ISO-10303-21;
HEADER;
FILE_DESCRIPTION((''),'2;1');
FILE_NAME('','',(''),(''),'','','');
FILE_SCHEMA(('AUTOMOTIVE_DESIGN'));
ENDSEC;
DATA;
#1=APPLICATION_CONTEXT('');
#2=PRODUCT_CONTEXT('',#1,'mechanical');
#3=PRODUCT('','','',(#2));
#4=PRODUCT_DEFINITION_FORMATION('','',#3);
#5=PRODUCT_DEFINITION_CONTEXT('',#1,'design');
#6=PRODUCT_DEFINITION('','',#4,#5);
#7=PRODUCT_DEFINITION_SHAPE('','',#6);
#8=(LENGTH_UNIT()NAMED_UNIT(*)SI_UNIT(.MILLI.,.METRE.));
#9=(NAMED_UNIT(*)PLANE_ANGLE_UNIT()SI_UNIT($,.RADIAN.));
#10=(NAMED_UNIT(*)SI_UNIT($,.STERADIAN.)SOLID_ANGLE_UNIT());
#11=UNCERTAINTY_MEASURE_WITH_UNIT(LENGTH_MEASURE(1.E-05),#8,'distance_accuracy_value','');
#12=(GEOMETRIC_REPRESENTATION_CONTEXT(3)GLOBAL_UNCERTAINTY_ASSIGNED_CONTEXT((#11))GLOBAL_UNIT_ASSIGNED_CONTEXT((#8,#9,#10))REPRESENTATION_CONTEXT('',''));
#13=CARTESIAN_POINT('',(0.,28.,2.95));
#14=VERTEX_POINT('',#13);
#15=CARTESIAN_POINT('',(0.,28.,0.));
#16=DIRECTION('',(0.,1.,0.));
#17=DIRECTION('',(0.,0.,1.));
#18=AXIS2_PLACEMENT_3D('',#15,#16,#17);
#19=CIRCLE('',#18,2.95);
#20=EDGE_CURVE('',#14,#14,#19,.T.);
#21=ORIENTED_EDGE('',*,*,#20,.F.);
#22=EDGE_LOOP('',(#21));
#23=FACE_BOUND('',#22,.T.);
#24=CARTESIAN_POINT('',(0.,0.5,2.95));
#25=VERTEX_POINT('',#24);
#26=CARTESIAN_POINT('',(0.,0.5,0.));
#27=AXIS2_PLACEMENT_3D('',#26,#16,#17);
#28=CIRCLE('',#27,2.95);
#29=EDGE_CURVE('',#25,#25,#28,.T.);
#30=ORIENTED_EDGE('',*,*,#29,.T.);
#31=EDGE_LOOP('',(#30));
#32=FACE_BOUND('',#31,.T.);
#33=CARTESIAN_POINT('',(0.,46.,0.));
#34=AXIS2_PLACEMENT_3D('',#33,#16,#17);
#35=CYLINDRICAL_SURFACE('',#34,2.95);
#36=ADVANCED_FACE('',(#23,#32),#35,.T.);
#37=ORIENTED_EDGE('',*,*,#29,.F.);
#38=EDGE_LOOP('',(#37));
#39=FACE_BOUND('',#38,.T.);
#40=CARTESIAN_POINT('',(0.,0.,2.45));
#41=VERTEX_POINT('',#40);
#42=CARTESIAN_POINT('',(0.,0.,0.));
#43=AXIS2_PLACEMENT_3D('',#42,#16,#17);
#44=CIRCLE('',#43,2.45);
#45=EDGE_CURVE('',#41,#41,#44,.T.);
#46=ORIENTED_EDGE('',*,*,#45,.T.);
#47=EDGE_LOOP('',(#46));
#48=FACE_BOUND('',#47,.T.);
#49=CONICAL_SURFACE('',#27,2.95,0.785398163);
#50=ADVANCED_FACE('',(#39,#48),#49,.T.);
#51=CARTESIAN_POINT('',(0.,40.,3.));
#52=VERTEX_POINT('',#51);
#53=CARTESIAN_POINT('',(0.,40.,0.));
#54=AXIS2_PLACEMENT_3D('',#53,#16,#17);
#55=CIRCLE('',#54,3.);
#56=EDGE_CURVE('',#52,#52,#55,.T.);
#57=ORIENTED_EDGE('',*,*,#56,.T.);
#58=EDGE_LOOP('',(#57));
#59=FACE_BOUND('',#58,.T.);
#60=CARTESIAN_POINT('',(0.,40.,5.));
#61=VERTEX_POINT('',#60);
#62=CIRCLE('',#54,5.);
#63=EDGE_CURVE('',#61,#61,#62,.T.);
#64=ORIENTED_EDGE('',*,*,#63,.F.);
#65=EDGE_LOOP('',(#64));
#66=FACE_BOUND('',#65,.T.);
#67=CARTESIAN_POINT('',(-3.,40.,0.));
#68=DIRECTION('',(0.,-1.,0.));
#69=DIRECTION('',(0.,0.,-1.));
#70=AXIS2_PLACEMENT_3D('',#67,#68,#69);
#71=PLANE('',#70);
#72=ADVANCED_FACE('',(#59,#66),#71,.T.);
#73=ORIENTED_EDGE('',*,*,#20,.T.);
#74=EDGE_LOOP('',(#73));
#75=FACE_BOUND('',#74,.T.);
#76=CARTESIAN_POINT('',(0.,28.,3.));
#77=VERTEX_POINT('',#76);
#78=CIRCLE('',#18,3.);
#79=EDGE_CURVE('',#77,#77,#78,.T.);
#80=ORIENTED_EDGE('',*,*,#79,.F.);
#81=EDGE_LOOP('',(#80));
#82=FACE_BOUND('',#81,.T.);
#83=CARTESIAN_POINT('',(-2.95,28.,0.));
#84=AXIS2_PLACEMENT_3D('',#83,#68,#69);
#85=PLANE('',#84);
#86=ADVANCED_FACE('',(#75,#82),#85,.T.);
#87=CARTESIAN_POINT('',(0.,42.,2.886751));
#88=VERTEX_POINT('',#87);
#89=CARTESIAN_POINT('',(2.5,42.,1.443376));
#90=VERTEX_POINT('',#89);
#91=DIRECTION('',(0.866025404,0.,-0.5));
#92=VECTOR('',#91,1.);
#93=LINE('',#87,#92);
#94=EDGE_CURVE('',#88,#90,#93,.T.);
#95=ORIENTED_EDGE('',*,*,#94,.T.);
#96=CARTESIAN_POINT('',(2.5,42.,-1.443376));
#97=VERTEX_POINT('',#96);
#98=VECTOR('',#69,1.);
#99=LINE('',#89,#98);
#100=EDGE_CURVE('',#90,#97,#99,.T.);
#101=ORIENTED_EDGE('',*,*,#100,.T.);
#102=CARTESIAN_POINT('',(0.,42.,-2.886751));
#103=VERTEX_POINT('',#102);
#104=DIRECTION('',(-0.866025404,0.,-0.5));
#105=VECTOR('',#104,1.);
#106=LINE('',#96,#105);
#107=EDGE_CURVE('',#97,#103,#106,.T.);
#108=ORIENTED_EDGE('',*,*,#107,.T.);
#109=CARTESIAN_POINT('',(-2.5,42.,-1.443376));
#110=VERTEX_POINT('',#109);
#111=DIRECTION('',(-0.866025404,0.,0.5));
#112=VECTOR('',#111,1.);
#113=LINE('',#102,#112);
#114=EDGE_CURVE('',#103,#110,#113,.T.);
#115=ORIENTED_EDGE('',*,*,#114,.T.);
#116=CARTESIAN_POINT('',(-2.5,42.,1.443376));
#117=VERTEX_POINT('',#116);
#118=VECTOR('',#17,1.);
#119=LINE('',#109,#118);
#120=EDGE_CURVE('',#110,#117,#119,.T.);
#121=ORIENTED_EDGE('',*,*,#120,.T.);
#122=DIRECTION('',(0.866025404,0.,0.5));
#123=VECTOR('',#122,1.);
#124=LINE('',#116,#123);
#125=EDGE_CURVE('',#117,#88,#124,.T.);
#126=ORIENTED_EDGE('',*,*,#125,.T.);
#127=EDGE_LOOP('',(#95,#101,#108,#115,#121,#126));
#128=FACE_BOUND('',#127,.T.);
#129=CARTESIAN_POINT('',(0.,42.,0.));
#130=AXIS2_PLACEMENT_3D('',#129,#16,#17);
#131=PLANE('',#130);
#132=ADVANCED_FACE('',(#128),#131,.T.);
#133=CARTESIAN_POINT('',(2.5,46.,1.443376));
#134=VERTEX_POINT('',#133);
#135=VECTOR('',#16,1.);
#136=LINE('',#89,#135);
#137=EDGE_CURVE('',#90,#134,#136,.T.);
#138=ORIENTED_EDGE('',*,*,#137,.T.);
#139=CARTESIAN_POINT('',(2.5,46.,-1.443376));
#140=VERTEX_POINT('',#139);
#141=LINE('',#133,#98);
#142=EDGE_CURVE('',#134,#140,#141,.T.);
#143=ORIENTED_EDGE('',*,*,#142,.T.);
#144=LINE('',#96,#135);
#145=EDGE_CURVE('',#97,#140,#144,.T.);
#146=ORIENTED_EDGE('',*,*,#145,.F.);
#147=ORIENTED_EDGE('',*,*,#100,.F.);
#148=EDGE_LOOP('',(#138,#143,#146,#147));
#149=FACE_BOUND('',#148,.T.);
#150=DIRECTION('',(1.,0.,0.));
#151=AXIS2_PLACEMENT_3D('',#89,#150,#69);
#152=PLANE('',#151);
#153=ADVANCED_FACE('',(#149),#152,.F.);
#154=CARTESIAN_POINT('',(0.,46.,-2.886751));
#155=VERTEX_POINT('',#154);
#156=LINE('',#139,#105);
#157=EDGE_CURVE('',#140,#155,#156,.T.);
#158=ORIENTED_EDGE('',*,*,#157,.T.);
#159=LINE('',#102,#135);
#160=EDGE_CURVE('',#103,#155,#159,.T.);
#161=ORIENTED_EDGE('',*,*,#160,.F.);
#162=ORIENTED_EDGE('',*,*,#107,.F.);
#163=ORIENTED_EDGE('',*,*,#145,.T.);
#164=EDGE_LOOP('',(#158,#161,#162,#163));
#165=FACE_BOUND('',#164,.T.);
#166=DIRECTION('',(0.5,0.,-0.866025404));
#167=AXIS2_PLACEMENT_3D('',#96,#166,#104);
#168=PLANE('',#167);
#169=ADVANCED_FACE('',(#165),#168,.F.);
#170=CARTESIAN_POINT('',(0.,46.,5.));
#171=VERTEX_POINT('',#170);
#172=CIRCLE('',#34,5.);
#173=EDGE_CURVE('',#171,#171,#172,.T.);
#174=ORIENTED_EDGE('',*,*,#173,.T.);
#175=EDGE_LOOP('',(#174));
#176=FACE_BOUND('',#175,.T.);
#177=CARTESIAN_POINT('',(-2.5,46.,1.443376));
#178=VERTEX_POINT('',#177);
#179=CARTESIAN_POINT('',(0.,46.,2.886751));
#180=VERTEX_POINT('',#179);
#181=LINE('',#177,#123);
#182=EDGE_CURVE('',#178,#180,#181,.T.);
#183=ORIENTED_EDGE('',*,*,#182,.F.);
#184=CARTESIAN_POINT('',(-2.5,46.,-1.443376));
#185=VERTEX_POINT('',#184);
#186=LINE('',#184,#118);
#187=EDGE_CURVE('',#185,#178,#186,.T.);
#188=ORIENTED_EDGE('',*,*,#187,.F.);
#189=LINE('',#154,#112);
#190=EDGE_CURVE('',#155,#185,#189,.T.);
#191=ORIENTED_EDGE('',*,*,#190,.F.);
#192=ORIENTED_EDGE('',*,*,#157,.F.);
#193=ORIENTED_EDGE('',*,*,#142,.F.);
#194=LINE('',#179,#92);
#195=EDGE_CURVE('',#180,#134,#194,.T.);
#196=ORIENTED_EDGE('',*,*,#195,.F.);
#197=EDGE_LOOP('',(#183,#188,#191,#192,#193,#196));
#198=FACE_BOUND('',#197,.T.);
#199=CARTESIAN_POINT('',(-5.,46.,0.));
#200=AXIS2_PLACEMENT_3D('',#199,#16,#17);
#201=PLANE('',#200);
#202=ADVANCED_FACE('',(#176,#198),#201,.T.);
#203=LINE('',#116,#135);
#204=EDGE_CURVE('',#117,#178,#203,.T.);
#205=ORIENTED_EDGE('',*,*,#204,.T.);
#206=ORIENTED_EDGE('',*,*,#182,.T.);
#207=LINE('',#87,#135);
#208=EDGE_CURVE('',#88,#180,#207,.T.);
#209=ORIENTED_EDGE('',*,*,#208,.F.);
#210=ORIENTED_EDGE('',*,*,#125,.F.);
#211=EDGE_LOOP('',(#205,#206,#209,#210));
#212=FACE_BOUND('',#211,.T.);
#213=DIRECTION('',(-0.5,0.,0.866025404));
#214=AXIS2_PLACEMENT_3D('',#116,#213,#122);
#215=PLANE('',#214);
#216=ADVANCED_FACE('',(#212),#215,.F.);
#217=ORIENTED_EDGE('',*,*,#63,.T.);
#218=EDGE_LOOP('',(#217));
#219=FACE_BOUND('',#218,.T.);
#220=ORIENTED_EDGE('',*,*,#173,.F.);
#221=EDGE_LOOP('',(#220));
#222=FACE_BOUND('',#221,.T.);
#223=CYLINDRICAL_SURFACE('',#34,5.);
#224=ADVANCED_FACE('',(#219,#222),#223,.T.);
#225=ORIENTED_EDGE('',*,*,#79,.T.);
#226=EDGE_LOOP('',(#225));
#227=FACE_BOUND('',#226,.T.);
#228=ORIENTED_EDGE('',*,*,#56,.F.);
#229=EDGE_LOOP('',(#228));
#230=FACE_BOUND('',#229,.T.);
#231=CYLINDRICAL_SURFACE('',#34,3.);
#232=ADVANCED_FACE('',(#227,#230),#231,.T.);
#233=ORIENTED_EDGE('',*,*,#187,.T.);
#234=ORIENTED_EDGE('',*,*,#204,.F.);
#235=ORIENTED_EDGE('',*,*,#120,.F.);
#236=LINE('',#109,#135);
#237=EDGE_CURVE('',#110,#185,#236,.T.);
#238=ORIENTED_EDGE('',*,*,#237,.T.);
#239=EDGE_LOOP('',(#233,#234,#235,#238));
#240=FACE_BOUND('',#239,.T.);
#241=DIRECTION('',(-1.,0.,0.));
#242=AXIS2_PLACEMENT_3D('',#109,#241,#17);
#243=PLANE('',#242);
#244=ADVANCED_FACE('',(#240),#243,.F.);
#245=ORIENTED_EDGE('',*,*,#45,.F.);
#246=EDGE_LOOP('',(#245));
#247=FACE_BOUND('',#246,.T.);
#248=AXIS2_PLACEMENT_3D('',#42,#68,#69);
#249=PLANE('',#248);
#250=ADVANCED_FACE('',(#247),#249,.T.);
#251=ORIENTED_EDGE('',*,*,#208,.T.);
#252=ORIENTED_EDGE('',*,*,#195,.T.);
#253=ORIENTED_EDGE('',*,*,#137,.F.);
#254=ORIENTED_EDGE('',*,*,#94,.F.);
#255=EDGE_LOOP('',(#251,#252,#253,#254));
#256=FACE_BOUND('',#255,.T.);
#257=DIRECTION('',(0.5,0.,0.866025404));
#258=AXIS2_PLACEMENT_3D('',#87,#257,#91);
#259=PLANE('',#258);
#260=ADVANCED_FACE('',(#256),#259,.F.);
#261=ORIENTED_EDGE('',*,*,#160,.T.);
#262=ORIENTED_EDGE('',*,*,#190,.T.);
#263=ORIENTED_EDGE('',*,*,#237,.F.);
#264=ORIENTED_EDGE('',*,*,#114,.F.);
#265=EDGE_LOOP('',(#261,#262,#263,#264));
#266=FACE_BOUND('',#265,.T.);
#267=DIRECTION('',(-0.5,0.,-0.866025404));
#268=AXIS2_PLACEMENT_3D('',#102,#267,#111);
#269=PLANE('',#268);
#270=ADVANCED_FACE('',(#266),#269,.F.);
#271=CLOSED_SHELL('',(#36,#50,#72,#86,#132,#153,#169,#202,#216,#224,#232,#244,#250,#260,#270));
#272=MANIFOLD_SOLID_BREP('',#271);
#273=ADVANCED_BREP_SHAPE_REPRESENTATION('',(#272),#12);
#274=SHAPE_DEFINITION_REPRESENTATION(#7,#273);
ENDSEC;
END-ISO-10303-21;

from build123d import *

# Parameters (mm, degrees)
ENL_V_MAT_EXTRU_1_DEPTH = 4


with BuildPart() as part:
    # Esquisse1 → Révolution1 (revolve)
    with BuildSketch(Plane.XY, mode=Mode.PRIVATE) as r_volution1_sk:
        Polygon((0, 0), (-2.45, 0), (-2.95, 0.5), (-2.95, 28), (-3, 28), (-3, 40), (-5, 40), (-5, 46), (0, 46), align=None)
    revolve(r_volution1_sk.sketch.rotate(Axis((0, 46, 0), (0, -1, 0)), 270), axis=Axis((0, 46, 0), (0, -1, 0)))

    # Esquisse2 → Enlèv. mat.-Extru.1 (cut)
    with BuildSketch(Plane(origin=(0, 46, 0), x_dir=(1, 0, 0), z_dir=(0, 1, 0))):
        Polygon((2.5, -1.443375673), (2.5, 1.443375673), (0, 2.886751346), (-2.5, 1.443375673), (-2.5, -1.443375673), (0, -2.886751346), align=None)
    extrude(amount=-ENL_V_MAT_EXTRU_1_DEPTH, mode=Mode.SUBTRACT)


solid = part.part
